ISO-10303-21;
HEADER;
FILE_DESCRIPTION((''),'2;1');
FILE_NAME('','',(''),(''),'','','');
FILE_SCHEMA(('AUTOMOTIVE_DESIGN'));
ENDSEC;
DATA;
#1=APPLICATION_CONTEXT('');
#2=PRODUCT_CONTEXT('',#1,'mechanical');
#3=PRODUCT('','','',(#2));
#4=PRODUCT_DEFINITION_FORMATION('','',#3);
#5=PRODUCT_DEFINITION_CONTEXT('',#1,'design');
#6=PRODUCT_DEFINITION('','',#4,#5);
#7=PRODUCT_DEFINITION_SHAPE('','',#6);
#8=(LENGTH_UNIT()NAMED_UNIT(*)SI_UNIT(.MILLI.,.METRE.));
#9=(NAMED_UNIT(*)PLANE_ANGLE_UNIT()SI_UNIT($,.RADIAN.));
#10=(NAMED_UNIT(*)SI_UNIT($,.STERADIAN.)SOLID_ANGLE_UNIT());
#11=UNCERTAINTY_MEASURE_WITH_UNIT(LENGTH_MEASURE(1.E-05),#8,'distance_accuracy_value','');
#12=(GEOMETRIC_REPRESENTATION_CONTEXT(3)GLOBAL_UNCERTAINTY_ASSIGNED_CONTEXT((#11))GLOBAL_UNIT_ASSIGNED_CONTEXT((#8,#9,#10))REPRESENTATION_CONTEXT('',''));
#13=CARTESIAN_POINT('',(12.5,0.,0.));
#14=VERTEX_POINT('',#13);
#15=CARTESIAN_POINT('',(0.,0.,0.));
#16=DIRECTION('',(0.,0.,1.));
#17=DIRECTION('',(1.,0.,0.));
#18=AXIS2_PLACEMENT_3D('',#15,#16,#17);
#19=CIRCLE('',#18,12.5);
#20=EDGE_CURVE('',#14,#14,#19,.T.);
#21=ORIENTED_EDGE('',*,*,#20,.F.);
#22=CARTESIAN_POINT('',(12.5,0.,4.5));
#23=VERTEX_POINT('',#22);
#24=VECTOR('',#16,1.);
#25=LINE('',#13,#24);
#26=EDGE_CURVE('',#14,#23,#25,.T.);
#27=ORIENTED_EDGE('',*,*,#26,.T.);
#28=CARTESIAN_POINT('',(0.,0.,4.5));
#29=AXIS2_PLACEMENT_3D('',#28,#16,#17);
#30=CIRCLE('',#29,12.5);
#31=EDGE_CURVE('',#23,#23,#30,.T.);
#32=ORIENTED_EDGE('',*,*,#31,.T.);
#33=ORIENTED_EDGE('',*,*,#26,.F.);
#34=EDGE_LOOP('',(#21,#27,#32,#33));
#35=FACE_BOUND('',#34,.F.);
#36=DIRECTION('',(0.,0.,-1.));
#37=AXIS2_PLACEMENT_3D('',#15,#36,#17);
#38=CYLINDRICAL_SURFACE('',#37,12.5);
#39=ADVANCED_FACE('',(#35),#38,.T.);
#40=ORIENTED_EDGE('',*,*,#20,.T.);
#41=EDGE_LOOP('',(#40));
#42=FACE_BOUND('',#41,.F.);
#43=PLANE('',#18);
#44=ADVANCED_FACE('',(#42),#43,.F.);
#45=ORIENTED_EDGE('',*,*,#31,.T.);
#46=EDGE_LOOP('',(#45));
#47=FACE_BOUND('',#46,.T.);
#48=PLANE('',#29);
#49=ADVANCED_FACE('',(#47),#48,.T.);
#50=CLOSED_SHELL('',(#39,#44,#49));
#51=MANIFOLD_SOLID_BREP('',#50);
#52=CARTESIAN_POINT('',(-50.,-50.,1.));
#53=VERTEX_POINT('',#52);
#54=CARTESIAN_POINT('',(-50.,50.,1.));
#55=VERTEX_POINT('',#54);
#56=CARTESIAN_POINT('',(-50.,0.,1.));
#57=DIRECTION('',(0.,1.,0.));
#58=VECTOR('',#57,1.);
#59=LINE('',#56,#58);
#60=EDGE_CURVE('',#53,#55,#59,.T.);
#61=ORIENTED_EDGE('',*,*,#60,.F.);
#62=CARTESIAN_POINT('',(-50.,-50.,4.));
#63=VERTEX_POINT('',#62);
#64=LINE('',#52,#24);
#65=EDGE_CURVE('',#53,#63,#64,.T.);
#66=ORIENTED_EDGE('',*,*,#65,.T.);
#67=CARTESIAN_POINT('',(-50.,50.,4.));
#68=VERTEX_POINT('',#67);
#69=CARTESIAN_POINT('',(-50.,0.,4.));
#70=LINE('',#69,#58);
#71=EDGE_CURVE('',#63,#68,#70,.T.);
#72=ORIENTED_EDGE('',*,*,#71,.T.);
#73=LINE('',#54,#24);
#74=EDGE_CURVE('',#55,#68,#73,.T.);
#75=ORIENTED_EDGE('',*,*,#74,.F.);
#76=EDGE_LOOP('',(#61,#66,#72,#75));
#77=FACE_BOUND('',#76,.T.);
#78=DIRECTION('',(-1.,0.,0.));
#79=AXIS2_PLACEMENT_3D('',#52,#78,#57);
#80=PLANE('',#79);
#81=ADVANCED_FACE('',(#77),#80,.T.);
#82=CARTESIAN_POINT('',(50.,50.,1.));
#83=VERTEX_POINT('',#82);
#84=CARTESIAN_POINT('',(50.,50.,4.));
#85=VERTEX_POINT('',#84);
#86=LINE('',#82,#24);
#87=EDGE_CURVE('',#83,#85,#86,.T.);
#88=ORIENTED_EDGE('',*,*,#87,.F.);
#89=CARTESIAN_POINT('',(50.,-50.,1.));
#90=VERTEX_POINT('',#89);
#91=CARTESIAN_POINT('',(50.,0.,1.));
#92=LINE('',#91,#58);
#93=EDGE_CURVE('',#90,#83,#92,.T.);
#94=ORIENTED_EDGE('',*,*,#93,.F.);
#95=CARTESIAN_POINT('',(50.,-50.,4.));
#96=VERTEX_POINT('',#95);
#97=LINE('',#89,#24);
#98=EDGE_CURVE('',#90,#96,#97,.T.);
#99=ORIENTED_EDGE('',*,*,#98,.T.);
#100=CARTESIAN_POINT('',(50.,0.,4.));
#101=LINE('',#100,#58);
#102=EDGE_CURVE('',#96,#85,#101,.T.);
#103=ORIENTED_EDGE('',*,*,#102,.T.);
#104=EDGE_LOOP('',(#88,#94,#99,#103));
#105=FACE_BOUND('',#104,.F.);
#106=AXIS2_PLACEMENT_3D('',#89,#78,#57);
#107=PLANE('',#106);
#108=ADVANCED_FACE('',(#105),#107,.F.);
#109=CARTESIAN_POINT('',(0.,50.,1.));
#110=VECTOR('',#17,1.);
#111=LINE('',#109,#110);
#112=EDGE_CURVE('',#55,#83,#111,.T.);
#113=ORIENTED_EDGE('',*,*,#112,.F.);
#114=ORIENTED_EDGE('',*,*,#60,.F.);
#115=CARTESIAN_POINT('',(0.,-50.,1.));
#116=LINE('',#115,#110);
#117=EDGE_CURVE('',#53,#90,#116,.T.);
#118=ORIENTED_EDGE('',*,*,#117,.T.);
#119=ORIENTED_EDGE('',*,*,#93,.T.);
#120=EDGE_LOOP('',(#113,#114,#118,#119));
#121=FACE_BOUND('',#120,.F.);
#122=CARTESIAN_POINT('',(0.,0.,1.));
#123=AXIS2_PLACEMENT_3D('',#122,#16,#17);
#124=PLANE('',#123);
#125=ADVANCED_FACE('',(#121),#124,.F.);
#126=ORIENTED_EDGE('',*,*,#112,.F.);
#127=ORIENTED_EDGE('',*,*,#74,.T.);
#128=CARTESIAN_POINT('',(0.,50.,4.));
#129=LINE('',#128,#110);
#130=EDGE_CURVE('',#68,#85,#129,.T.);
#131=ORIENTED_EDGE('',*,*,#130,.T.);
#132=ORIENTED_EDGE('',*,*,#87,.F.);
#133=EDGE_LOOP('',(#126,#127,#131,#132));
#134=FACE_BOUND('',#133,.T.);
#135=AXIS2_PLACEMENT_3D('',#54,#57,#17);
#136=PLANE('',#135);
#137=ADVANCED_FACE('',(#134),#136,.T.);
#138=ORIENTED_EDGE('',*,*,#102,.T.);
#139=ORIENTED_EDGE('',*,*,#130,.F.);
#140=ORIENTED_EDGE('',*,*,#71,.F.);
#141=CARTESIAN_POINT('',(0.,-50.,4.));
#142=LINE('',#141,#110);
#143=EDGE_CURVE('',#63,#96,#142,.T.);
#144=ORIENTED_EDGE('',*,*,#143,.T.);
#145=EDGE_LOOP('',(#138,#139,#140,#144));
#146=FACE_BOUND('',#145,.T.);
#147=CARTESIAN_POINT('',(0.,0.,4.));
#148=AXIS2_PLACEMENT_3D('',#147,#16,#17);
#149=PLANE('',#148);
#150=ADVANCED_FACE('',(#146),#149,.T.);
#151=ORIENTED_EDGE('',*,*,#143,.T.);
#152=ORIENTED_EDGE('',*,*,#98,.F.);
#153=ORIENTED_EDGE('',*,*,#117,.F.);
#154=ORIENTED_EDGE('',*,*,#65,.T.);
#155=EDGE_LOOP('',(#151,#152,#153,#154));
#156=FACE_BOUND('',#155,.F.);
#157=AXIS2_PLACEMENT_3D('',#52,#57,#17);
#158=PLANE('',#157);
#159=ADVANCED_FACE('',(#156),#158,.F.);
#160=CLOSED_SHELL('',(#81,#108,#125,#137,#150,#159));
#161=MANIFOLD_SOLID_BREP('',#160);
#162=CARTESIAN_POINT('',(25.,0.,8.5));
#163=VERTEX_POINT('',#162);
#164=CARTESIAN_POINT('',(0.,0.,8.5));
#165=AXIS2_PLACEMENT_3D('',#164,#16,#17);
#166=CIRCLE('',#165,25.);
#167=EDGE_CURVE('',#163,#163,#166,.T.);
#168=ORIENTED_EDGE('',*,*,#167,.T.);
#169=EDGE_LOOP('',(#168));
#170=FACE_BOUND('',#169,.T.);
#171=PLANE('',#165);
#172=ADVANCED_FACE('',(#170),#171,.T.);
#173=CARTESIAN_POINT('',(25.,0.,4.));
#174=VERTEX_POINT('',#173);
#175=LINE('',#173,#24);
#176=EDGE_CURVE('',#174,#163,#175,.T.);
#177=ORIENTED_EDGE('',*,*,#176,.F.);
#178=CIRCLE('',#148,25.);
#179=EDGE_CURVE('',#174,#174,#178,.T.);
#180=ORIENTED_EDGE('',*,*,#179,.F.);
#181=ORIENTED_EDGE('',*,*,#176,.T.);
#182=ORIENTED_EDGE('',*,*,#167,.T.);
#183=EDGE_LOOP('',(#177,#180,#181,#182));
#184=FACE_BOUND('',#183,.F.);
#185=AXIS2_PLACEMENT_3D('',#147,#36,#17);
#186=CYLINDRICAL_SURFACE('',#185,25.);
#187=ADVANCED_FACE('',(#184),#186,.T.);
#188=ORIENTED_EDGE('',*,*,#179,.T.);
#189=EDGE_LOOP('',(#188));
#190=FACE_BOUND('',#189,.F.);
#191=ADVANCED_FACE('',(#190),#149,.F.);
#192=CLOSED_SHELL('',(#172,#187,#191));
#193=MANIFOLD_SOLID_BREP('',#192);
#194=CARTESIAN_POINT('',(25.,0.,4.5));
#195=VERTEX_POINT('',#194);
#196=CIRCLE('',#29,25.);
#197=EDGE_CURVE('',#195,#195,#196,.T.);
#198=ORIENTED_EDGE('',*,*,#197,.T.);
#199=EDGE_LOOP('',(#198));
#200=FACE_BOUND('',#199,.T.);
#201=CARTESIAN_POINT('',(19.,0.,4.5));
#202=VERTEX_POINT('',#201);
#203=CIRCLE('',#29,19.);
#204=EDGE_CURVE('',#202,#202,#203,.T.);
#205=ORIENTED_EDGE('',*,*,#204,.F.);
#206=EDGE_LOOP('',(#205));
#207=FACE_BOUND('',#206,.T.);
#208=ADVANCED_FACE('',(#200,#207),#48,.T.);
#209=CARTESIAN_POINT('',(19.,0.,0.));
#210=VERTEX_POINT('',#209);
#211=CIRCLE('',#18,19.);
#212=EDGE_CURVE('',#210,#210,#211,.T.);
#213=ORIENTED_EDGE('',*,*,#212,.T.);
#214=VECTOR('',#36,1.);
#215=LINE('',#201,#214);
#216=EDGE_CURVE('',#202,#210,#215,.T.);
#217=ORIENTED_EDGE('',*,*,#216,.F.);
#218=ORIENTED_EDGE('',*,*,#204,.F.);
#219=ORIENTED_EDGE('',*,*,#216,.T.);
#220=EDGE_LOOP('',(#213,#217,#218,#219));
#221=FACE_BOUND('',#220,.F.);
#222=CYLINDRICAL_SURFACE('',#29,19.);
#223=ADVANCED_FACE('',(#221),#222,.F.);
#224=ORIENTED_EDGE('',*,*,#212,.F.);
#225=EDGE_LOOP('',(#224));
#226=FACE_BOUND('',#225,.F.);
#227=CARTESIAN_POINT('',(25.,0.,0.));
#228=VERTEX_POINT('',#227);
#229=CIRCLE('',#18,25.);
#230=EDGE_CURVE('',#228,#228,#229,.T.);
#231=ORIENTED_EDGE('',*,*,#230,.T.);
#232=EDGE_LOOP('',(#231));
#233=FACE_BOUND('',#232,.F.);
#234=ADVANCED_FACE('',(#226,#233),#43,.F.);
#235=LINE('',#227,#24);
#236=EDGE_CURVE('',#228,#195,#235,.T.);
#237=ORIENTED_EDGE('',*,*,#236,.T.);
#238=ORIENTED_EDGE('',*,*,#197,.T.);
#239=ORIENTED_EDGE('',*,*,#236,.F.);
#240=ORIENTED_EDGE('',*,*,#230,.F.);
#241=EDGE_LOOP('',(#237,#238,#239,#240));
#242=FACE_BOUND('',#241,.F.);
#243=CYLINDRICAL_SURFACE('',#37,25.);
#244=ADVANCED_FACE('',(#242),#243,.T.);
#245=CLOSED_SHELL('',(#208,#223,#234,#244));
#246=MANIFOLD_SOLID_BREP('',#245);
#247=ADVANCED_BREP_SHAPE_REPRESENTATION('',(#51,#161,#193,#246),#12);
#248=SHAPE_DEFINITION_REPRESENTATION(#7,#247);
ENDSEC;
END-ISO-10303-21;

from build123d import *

# Parameters (mm, degrees)
F0_R     = 25
F1_DEPTH = 4.5
F2_R     = 19
F3_DEPTH = 4.5
F4_R     = 12.5
F5_DEPTH = 4.5
F7_START = 1
F6_W     = 100
F6_H     = 100
F7_DEPTH = 3
F9_START = 4
F8_R     = 25
F9_DEPTH = 4.5


with BuildPart() as f1:
    # F0 (on Top) → F1 (new body)
    with BuildSketch(Plane.XY):
        Circle(F0_R)
    extrude(amount=F1_DEPTH)

    # F2 (on face) → F3 (cut)
    with BuildSketch(Plane.XY.offset(4.5)):
        Circle(F2_R)
    extrude(amount=-F3_DEPTH, mode=Mode.SUBTRACT)


with BuildPart() as f5:
    # F4 (on Top) → F5 (new body)
    with BuildSketch(Plane.XY):
        Circle(F4_R)
    extrude(amount=F5_DEPTH)


with BuildPart() as f7:
    # F6 (on Top) → F7 (new body)
    with BuildSketch(Plane.XY.offset(F7_START)):
        Rectangle(F6_W, F6_H)
    extrude(amount=F7_DEPTH)


with BuildPart() as f9:
    # F8 (on Top) → F9 (new body)
    with BuildSketch(Plane.XY.offset(F9_START)):
        Circle(F8_R)
    extrude(amount=F9_DEPTH)


solid = Compound([f1.part, f5.part, f7.part, f9.part])
